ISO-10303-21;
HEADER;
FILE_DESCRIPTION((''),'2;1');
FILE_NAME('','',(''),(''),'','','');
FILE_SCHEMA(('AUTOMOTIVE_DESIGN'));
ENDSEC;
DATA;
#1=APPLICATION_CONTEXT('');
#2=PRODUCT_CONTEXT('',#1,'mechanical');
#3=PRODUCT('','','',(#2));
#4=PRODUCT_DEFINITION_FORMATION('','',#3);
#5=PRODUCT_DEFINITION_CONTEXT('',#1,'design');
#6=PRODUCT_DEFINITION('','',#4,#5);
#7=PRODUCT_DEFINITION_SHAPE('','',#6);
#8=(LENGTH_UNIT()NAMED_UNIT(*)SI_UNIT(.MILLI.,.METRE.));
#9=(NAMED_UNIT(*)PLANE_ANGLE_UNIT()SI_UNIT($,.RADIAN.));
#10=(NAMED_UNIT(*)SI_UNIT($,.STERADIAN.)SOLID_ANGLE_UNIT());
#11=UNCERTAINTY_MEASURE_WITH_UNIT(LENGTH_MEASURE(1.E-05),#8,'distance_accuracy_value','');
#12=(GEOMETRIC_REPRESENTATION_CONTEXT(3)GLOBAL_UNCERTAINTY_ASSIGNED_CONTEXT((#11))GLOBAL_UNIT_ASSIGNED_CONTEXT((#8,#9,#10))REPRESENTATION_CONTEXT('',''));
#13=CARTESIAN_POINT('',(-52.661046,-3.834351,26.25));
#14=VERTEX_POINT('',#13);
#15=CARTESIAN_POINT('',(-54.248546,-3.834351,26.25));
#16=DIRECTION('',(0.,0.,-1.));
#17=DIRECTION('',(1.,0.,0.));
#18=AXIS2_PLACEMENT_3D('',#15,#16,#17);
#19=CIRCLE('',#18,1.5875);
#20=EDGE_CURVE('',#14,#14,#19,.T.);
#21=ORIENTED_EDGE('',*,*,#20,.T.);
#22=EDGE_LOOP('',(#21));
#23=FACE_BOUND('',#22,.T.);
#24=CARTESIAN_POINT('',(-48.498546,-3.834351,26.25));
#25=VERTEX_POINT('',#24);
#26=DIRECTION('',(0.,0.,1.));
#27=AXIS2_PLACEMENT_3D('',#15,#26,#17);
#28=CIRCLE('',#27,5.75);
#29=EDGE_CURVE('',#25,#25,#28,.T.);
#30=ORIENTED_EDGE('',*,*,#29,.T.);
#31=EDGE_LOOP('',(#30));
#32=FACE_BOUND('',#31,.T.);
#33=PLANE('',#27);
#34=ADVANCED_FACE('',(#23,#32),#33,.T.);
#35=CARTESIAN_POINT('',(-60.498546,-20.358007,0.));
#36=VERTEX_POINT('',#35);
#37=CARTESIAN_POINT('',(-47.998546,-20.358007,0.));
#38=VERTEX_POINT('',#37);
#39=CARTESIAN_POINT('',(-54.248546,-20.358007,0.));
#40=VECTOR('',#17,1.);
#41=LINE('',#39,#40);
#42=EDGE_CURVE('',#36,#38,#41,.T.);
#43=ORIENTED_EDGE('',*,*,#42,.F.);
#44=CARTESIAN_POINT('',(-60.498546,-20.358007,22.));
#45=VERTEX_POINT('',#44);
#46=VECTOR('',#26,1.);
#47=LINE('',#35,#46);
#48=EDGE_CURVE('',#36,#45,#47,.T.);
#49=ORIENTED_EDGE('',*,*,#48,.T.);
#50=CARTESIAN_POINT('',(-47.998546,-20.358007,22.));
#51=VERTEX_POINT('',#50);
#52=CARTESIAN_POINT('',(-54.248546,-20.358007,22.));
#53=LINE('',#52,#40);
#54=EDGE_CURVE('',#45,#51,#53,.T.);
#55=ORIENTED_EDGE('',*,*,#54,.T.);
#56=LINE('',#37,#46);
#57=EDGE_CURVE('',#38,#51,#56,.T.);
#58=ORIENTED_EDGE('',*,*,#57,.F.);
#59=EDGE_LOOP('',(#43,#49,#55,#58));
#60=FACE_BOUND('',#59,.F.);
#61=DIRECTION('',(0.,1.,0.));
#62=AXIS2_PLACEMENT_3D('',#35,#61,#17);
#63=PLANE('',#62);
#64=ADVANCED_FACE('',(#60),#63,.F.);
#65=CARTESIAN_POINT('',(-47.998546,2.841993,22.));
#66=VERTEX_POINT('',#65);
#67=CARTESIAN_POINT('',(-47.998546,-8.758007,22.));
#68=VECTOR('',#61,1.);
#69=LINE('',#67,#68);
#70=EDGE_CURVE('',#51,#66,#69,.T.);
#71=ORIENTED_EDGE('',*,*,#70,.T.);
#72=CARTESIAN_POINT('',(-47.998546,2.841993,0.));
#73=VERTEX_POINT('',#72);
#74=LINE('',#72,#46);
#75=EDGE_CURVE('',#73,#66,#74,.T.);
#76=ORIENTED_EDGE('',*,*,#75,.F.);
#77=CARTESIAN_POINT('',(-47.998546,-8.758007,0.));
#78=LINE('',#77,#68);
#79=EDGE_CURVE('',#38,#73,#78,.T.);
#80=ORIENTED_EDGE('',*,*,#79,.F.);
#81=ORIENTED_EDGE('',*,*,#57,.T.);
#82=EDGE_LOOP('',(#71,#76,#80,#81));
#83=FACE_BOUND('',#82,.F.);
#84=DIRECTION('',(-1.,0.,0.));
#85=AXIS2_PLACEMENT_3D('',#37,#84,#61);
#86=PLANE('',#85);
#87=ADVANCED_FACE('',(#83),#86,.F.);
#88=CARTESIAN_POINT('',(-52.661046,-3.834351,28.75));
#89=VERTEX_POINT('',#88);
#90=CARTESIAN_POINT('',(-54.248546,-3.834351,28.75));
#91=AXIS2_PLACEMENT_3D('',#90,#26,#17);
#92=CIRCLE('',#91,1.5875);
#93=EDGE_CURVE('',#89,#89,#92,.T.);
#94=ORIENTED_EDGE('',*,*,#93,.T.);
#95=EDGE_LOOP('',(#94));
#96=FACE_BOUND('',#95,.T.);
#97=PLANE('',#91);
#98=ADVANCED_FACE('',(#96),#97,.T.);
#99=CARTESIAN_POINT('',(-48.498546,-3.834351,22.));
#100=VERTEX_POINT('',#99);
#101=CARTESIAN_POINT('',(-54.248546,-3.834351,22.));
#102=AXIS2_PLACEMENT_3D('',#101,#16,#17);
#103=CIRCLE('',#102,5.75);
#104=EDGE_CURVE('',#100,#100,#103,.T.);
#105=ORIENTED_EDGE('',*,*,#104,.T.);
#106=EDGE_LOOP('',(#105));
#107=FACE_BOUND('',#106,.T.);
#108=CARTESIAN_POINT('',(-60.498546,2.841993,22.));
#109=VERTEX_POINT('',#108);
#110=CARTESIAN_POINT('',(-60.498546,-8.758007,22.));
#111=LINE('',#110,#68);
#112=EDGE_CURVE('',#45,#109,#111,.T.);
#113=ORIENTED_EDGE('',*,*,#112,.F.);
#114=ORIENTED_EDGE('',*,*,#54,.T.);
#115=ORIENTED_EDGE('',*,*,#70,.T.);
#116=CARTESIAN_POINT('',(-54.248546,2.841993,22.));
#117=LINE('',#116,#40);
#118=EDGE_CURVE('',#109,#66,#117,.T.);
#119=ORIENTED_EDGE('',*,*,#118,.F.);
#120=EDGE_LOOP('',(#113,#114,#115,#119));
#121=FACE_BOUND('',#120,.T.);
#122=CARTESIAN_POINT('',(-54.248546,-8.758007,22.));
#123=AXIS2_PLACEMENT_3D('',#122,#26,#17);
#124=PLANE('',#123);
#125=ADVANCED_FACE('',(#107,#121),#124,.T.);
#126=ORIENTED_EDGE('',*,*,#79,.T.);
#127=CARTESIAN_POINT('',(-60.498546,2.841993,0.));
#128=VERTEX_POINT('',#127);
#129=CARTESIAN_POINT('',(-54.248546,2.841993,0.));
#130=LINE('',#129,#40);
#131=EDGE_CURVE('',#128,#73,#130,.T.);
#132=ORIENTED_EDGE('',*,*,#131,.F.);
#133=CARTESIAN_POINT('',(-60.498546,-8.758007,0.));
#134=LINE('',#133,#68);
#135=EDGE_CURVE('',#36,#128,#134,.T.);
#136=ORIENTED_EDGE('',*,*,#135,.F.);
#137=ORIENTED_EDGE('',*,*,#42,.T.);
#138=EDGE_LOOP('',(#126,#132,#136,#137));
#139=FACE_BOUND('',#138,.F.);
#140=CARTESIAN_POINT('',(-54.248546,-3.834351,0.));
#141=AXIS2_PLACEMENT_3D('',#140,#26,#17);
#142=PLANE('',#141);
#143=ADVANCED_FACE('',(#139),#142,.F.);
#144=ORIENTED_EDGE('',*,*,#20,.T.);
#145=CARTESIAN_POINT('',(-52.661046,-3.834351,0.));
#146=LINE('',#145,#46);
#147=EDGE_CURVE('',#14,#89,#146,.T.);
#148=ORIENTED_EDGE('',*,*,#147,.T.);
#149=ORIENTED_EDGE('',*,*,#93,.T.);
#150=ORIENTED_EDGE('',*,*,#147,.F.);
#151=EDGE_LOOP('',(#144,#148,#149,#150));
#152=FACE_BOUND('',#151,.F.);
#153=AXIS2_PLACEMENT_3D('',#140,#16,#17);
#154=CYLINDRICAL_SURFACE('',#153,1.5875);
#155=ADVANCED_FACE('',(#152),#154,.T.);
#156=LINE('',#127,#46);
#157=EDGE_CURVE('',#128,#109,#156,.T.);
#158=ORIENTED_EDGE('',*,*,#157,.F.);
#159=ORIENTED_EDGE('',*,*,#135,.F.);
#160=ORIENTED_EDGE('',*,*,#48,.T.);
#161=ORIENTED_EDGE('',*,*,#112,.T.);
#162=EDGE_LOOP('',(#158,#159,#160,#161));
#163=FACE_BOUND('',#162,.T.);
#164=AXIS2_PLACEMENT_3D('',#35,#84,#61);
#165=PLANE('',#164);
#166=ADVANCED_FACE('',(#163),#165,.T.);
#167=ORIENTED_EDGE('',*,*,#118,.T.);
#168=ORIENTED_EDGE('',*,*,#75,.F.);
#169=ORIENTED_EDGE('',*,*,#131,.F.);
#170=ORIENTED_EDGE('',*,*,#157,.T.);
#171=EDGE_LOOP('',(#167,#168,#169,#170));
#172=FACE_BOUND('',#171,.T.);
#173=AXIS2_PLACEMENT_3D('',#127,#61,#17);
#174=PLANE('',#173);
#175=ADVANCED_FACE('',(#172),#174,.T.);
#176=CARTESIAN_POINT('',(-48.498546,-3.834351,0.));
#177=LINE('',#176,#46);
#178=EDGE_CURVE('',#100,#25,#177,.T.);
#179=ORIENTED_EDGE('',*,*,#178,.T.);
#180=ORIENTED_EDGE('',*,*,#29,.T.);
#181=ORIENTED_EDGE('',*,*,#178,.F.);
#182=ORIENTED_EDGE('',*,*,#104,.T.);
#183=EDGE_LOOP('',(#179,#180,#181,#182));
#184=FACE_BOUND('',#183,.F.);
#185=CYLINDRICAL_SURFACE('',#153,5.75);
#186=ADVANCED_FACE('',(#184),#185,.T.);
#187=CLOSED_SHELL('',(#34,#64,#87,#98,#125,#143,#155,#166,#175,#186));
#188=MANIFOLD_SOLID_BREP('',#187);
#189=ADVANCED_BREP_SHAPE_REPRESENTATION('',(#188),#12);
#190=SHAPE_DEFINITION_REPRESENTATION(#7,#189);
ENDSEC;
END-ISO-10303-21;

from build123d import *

# Parameters (mm, degrees)
F0_W     = 12.5
F0_H     = 23.2
F0_R     = 5.75
F0_R_2   = 1.5875
F1_DEPTH = 22
F2_DEPTH = 26.25
F3_DEPTH = 28.75


with BuildPart() as f1:
    # F0 (on Top) → F1 (new body)
    with BuildSketch(Plane.XY):
        with Locations((-54.248546, -8.758007)):
            Rectangle(F0_W, F0_H)
        with Locations((-54.248546, -3.834351)):
            Circle(F0_R, mode=Mode.SUBTRACT)
        with Locations((-54.248546, -3.834351)):
            Circle(F0_R)
        with Locations((-54.248546, -3.834351)):
            Circle(F0_R_2, mode=Mode.SUBTRACT)
        with Locations((-54.248546, -3.834351)):
            Circle(F0_R_2)
    extrude(amount=F1_DEPTH)

    # F0 (on Top) → F2 (join)
    with BuildSketch(Plane.XY):
        with Locations((-54.248546, -3.834351)):
            Circle(F0_R)
        with Locations((-54.248546, -3.834351)):
            Circle(F0_R_2, mode=Mode.SUBTRACT)
        with Locations((-54.248546, -3.834351)):
            Circle(F0_R_2)
    extrude(amount=F2_DEPTH)

    # F0 (on Top) → F3 (join)
    with BuildSketch(Plane.XY):
        with Locations((-54.248546, -3.834351)):
            Circle(F0_R_2)
    extrude(amount=F3_DEPTH)


solid = f1.part
